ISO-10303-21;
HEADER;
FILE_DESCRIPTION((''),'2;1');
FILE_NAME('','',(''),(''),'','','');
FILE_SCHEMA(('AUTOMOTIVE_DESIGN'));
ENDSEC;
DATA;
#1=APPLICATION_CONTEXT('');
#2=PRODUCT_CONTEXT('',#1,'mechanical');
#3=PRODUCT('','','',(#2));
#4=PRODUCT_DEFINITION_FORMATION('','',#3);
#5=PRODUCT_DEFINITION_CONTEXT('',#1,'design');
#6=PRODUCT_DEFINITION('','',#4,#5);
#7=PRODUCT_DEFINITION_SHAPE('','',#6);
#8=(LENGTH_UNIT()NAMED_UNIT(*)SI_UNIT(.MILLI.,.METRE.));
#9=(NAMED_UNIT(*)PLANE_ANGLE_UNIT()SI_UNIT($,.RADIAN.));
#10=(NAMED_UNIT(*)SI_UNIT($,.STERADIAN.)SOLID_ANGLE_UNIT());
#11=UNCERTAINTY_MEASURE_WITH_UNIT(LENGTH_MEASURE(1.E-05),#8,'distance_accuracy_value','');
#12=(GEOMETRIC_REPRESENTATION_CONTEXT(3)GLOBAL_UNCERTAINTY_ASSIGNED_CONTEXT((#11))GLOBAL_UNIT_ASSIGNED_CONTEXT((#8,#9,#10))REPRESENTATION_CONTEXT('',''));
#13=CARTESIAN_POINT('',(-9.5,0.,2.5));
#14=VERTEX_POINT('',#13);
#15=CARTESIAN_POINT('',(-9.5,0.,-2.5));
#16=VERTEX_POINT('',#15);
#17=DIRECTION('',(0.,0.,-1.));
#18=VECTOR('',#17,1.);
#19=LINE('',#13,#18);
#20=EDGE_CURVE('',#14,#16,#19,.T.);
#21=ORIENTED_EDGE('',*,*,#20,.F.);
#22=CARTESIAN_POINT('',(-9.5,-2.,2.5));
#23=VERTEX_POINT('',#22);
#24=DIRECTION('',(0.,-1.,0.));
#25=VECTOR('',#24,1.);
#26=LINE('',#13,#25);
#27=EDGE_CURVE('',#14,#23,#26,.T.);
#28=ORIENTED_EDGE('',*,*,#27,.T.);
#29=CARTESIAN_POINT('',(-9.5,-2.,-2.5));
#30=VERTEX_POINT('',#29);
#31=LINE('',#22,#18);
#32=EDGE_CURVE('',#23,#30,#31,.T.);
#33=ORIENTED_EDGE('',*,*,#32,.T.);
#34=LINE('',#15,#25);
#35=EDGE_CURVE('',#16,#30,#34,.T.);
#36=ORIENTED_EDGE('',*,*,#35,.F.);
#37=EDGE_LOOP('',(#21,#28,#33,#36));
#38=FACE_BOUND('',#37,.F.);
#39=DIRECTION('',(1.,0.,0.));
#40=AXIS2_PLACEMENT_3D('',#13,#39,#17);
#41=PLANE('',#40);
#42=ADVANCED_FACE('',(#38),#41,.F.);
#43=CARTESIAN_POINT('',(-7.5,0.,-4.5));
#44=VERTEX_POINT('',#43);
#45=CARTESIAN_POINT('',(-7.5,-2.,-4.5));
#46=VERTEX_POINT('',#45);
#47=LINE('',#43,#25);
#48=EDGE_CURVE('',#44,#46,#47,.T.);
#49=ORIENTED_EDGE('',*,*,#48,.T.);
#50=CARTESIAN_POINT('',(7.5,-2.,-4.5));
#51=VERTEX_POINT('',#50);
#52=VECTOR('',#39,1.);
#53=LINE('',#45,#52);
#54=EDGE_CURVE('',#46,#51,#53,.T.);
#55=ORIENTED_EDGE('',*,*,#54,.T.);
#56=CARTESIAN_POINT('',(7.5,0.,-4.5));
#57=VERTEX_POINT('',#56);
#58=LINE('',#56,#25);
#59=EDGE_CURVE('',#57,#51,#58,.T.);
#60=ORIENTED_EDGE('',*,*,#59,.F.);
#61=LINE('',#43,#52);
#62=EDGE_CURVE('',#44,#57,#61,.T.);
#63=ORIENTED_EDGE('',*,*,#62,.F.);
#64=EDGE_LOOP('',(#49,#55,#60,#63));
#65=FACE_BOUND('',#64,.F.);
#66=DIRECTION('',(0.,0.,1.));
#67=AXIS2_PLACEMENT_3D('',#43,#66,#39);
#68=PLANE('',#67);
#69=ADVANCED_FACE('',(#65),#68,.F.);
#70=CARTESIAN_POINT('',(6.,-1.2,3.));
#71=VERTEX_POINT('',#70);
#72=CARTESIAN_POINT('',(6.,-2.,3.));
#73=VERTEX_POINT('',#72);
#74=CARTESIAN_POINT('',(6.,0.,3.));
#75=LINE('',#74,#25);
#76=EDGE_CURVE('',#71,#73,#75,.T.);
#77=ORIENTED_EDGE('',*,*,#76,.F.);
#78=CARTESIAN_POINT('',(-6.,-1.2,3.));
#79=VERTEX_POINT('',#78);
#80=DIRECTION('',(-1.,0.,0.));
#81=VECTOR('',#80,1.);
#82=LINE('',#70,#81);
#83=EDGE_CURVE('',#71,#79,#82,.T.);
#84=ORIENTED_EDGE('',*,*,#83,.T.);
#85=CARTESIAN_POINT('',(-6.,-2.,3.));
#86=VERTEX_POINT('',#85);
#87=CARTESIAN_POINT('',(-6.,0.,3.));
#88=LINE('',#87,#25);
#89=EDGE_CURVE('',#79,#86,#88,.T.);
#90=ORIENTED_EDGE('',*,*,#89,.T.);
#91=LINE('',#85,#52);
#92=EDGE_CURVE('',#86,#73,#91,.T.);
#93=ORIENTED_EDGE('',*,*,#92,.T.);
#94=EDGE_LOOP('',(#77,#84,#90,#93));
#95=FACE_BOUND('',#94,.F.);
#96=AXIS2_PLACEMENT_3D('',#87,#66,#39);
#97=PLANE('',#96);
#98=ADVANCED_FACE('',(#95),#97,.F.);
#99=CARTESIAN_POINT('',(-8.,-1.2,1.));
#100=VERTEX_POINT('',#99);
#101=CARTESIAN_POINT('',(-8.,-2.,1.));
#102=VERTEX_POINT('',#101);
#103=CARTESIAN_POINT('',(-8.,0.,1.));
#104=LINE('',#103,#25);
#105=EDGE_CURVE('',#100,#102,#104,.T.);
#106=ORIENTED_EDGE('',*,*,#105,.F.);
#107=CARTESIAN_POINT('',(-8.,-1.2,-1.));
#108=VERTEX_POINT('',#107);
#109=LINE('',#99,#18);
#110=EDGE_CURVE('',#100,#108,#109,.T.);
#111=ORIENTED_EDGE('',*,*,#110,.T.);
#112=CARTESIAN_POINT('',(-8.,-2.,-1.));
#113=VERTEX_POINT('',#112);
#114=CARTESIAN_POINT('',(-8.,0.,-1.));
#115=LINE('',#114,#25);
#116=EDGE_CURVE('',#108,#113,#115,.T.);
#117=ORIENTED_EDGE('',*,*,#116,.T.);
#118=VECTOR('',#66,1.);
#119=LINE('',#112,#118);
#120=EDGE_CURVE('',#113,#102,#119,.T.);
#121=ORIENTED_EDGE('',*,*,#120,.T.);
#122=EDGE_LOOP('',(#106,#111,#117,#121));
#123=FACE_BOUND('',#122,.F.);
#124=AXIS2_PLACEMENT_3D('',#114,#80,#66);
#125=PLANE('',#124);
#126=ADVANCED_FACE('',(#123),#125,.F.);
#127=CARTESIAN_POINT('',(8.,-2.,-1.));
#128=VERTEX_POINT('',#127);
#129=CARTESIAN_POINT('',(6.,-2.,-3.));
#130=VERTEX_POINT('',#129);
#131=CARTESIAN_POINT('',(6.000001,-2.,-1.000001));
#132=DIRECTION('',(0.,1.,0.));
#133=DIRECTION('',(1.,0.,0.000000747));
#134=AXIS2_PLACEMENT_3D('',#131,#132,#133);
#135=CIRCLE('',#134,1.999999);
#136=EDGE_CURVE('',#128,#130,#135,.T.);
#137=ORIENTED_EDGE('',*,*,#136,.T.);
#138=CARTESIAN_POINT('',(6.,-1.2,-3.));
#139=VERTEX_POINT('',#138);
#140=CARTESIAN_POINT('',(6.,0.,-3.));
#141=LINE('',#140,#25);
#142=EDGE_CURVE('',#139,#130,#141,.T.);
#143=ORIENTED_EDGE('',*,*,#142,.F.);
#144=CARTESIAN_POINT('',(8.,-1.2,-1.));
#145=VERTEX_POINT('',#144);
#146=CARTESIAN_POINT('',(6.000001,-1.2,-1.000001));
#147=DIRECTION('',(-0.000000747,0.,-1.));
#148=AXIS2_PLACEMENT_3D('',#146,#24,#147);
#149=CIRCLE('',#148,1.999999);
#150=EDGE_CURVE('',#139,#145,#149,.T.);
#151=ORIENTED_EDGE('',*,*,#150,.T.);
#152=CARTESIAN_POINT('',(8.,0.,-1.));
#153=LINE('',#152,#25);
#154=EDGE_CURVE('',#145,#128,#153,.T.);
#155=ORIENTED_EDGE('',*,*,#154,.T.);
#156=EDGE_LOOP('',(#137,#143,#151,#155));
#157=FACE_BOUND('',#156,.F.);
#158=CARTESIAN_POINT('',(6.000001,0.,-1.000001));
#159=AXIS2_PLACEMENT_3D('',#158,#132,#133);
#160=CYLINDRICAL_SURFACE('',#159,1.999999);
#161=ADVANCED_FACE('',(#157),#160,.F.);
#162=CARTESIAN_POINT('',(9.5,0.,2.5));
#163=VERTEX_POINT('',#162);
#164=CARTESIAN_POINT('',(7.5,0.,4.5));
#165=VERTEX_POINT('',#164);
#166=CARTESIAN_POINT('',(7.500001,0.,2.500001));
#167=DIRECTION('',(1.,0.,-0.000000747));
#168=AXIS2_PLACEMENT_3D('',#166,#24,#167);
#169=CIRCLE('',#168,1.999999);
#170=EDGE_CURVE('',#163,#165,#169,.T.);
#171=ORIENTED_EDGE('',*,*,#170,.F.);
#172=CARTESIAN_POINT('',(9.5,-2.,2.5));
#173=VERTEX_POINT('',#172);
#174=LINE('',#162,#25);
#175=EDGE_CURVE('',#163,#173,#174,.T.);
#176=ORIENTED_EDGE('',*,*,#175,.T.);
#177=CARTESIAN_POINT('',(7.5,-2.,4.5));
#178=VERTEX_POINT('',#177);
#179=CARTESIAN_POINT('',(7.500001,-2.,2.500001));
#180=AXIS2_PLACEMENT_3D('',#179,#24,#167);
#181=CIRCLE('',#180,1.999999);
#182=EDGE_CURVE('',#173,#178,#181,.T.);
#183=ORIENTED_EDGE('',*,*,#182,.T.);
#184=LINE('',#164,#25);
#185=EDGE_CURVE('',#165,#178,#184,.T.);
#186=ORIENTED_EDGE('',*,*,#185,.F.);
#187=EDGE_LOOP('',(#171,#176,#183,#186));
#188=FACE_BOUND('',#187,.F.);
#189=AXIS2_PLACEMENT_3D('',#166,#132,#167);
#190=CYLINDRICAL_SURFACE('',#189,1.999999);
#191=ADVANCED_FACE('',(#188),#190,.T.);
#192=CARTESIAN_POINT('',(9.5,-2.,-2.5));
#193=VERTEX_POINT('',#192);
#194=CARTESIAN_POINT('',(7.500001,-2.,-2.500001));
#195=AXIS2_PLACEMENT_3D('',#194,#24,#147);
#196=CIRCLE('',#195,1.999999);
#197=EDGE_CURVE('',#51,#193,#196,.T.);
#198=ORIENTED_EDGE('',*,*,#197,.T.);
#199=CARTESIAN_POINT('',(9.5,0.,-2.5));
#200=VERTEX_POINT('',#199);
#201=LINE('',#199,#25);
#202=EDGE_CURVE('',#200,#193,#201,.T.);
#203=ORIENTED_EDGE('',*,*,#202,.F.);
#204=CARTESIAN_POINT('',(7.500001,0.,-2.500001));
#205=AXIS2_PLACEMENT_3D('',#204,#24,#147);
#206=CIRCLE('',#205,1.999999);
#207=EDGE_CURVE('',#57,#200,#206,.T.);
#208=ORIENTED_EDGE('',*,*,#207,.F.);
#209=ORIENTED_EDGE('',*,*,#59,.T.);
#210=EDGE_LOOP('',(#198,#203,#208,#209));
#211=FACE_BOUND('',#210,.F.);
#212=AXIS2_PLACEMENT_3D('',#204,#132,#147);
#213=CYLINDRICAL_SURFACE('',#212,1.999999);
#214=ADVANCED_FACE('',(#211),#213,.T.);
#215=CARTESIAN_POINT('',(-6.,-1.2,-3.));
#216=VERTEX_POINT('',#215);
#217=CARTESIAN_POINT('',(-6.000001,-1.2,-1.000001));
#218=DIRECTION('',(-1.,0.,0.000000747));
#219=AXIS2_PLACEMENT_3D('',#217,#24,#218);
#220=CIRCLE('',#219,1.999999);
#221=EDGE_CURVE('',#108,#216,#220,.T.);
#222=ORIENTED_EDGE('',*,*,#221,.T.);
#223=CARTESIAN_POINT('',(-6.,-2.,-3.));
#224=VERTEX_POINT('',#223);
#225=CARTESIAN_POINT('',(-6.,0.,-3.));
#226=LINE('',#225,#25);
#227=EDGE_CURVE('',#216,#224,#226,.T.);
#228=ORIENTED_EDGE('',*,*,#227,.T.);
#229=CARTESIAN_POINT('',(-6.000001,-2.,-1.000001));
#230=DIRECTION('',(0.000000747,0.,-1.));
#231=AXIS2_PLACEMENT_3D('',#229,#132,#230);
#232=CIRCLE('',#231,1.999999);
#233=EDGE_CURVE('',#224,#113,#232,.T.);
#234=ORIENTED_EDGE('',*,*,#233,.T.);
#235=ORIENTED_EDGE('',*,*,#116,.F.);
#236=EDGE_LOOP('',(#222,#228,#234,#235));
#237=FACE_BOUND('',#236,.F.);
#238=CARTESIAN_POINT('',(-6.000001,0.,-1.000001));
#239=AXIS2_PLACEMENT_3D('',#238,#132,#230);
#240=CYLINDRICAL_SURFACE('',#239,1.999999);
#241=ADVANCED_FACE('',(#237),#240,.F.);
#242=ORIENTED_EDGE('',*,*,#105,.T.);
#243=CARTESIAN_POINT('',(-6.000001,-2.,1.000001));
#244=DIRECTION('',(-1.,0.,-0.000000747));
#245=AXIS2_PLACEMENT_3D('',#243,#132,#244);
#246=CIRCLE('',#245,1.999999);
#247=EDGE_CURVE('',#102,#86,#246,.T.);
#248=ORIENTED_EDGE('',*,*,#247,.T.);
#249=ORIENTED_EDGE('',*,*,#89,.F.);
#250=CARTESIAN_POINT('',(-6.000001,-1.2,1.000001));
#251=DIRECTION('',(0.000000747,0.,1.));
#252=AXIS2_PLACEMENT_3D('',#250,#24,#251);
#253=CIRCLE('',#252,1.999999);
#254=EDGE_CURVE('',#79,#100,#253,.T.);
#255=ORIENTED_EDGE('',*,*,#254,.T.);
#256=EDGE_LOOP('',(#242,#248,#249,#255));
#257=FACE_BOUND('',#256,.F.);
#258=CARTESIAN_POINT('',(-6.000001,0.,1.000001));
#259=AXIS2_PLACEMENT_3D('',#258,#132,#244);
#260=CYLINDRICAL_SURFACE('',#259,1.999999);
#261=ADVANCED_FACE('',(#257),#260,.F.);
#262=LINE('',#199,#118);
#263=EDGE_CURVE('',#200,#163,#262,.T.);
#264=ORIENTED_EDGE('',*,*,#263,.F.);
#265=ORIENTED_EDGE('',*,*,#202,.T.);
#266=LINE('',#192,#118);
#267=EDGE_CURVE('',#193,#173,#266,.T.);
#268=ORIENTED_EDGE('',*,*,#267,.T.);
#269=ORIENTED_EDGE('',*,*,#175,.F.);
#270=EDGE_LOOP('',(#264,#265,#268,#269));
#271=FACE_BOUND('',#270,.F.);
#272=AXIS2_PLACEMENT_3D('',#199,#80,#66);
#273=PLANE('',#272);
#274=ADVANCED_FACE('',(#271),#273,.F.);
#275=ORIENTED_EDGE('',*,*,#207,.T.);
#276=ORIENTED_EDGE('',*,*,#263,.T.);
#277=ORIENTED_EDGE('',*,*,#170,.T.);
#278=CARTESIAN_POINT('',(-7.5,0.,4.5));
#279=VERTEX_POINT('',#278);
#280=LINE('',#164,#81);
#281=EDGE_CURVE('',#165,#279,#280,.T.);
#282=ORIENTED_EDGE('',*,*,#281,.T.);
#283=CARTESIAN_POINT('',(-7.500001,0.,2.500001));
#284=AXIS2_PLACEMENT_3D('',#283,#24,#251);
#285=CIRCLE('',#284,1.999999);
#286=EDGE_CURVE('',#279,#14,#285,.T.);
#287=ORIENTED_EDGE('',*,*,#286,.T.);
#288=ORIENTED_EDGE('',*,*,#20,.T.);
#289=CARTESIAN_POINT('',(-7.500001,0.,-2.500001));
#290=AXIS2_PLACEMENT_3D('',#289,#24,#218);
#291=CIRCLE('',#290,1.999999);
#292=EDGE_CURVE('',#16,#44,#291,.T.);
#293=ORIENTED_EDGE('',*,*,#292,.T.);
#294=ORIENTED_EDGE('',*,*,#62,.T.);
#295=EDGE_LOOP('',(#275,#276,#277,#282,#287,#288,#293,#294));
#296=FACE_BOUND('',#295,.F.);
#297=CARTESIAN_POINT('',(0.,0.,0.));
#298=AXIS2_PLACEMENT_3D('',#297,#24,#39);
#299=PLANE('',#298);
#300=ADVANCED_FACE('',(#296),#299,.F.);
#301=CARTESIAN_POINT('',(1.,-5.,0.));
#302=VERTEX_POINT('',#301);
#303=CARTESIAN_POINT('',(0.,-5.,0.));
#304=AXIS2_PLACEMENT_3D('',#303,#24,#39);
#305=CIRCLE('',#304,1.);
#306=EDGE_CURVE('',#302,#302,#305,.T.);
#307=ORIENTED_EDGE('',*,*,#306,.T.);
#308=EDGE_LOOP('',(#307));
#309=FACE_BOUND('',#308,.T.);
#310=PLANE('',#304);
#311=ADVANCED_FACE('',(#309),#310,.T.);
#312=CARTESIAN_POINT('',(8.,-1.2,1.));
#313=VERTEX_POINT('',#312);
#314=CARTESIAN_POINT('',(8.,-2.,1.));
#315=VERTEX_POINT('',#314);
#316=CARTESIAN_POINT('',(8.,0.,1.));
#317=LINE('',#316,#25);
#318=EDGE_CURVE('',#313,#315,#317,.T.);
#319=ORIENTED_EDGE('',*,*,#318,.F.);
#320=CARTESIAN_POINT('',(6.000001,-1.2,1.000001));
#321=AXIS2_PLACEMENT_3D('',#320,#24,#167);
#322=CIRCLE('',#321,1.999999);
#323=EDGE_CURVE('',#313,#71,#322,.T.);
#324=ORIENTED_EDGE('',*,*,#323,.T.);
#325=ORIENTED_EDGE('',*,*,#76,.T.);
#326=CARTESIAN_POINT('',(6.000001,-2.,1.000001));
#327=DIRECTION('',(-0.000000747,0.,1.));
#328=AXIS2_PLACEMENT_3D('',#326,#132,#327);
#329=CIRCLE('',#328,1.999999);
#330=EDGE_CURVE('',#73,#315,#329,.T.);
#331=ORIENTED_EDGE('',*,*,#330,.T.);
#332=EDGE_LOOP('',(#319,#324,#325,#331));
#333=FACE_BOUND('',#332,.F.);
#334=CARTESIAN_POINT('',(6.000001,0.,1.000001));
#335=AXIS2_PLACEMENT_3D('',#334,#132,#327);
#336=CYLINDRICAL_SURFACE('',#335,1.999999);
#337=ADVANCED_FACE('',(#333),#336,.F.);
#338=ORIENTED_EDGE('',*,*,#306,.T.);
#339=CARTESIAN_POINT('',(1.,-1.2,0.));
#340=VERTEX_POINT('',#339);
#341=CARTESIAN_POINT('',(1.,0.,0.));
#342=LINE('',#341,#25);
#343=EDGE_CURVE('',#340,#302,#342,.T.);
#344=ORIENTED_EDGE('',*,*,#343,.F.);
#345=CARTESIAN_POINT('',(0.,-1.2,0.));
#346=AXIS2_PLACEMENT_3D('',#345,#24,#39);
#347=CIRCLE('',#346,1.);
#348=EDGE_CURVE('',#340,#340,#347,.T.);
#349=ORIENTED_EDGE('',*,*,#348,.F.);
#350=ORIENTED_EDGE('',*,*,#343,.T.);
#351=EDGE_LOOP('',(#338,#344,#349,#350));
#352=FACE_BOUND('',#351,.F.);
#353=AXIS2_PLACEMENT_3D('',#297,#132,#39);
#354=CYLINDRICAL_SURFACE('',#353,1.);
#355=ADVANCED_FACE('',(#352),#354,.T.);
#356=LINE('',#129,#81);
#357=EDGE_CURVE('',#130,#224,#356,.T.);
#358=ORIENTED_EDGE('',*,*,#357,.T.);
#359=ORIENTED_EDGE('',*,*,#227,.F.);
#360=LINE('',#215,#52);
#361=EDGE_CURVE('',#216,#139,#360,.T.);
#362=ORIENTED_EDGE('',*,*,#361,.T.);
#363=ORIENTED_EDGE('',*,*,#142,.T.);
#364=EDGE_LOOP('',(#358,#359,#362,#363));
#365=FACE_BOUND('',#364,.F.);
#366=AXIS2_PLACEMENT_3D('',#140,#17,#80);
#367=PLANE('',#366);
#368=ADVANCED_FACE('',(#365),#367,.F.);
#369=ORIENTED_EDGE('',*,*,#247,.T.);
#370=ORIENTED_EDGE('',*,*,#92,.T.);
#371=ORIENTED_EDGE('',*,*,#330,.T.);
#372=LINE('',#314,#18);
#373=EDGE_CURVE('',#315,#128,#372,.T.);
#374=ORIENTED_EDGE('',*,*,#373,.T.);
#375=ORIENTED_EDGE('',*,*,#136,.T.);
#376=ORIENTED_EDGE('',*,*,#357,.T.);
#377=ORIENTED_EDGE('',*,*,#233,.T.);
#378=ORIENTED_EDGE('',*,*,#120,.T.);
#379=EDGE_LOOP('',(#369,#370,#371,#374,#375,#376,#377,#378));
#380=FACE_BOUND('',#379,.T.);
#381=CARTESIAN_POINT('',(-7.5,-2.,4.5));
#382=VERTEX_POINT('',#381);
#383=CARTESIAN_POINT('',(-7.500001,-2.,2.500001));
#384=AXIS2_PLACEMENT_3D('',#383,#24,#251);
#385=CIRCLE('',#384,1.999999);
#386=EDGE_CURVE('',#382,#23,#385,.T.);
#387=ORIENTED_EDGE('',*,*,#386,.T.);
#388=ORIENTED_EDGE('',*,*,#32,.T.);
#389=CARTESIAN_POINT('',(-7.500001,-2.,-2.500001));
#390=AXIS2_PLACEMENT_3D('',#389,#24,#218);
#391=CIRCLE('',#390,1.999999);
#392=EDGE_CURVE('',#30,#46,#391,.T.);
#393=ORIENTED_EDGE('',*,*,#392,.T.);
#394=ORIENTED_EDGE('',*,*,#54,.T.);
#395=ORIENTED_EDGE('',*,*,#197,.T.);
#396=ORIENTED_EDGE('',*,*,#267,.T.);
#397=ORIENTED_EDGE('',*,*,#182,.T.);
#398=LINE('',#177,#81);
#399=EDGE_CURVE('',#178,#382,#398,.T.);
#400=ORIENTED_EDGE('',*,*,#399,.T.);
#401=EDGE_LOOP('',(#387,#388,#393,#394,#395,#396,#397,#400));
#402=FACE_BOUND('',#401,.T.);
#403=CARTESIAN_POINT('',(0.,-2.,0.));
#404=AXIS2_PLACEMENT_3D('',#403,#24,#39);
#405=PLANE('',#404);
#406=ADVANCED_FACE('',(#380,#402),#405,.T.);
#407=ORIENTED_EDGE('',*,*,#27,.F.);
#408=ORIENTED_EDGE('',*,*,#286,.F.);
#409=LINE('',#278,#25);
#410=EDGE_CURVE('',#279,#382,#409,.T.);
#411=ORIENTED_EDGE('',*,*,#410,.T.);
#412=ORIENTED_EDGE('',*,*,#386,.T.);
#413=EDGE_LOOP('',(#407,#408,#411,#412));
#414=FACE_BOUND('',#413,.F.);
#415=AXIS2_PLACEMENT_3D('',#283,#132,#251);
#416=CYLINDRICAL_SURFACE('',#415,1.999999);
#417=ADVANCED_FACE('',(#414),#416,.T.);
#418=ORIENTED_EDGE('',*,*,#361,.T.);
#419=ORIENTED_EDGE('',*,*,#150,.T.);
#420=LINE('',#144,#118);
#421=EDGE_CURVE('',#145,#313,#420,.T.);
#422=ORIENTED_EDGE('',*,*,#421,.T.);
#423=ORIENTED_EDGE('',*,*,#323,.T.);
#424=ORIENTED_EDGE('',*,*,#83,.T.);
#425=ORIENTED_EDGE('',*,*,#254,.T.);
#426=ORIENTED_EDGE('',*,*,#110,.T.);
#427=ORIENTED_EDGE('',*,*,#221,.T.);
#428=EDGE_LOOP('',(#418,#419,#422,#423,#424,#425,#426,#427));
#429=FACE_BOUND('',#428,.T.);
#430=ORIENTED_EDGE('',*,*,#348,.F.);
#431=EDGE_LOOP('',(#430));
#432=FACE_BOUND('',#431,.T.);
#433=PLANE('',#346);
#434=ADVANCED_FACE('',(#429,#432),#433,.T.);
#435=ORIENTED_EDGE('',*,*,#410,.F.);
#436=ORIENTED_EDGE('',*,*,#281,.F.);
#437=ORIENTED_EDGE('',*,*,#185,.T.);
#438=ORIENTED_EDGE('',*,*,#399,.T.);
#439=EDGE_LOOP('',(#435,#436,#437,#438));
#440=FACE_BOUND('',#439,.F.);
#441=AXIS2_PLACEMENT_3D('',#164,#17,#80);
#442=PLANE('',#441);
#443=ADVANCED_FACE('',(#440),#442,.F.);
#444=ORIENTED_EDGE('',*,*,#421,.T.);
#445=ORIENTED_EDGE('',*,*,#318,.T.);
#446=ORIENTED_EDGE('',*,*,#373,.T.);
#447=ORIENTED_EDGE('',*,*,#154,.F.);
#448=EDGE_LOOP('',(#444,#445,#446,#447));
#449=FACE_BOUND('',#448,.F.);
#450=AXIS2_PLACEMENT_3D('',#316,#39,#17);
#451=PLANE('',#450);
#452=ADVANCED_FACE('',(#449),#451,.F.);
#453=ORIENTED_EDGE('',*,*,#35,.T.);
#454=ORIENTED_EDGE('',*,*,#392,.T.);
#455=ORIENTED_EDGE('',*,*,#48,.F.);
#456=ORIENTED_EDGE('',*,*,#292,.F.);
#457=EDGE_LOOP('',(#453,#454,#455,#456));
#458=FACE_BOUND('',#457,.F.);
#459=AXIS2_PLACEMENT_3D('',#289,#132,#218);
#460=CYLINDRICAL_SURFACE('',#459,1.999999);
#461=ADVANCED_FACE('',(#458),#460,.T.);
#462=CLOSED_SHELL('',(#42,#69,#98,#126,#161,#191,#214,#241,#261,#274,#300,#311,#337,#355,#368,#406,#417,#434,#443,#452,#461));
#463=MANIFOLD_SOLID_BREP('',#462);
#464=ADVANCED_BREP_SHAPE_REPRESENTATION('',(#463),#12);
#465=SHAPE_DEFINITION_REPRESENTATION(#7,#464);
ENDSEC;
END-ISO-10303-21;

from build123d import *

# Parameters (mm, degrees)
F1_DEPTH = 2
F0_R     = 1
F2_DEPTH = 1.2
F3_DEPTH = 5


with BuildPart() as f1:
    # F0 (on Front) → F1 (new body)
    with BuildSketch(Plane.XZ):
        with BuildLine():
            Line((-7.5, -4.5), (7.5, -4.5))
            ThreePointArc((7.5, -4.5), (8.914214, -3.914214), (9.5, -2.5))
            Line((9.5, -2.5), (9.5, 2.5))
            ThreePointArc((9.5, 2.5), (8.914214, 3.914214), (7.5, 4.5))
            Line((7.5, 4.5), (-7.5, 4.5))
            ThreePointArc((-7.5, 4.5), (-8.914214, 3.914214), (-9.5, 2.5))
            Line((-9.5, 2.5), (-9.5, -2.5))
            ThreePointArc((-9.5, -2.5), (-8.914214, -3.914214), (-7.5, -4.5))
        make_face()
        with BuildLine():
            ThreePointArc((8, -1), (7.414214, -2.414214), (6, -3))
            Line((6, -3), (-6, -3))
            ThreePointArc((-6, -3), (-7.414214, -2.414214), (-8, -1))
            Line((-8, -1), (-8, 1))
            ThreePointArc((-8, 1), (-7.414214, 2.414214), (-6, 3))
            Line((-6, 3), (6, 3))
            ThreePointArc((6, 3), (7.414214, 2.414214), (8, 1))
            Line((8, 1), (8, -1))
        make_face(mode=Mode.SUBTRACT)
    extrude(amount=F1_DEPTH)

    # F0 (on Front) → F2 (join)
    with BuildSketch(Plane.XZ):
        with BuildLine():
            Line((-6, -3), (6, -3))
            ThreePointArc((6, -3), (7.414214, -2.414214), (8, -1))
            Line((8, -1), (8, 1))
            ThreePointArc((8, 1), (7.414214, 2.414214), (6, 3))
            Line((6, 3), (-6, 3))
            ThreePointArc((-6, 3), (-7.414214, 2.414214), (-8, 1))
            Line((-8, 1), (-8, -1))
            ThreePointArc((-8, -1), (-7.414214, -2.414214), (-6, -3))
        make_face()
        Circle(F0_R, mode=Mode.SUBTRACT)
    extrude(amount=F2_DEPTH)

    # F0 (on Front) → F3 (join)
    with BuildSketch(Plane.XZ):
        Circle(F0_R)
    extrude(amount=F3_DEPTH)


solid = f1.part
